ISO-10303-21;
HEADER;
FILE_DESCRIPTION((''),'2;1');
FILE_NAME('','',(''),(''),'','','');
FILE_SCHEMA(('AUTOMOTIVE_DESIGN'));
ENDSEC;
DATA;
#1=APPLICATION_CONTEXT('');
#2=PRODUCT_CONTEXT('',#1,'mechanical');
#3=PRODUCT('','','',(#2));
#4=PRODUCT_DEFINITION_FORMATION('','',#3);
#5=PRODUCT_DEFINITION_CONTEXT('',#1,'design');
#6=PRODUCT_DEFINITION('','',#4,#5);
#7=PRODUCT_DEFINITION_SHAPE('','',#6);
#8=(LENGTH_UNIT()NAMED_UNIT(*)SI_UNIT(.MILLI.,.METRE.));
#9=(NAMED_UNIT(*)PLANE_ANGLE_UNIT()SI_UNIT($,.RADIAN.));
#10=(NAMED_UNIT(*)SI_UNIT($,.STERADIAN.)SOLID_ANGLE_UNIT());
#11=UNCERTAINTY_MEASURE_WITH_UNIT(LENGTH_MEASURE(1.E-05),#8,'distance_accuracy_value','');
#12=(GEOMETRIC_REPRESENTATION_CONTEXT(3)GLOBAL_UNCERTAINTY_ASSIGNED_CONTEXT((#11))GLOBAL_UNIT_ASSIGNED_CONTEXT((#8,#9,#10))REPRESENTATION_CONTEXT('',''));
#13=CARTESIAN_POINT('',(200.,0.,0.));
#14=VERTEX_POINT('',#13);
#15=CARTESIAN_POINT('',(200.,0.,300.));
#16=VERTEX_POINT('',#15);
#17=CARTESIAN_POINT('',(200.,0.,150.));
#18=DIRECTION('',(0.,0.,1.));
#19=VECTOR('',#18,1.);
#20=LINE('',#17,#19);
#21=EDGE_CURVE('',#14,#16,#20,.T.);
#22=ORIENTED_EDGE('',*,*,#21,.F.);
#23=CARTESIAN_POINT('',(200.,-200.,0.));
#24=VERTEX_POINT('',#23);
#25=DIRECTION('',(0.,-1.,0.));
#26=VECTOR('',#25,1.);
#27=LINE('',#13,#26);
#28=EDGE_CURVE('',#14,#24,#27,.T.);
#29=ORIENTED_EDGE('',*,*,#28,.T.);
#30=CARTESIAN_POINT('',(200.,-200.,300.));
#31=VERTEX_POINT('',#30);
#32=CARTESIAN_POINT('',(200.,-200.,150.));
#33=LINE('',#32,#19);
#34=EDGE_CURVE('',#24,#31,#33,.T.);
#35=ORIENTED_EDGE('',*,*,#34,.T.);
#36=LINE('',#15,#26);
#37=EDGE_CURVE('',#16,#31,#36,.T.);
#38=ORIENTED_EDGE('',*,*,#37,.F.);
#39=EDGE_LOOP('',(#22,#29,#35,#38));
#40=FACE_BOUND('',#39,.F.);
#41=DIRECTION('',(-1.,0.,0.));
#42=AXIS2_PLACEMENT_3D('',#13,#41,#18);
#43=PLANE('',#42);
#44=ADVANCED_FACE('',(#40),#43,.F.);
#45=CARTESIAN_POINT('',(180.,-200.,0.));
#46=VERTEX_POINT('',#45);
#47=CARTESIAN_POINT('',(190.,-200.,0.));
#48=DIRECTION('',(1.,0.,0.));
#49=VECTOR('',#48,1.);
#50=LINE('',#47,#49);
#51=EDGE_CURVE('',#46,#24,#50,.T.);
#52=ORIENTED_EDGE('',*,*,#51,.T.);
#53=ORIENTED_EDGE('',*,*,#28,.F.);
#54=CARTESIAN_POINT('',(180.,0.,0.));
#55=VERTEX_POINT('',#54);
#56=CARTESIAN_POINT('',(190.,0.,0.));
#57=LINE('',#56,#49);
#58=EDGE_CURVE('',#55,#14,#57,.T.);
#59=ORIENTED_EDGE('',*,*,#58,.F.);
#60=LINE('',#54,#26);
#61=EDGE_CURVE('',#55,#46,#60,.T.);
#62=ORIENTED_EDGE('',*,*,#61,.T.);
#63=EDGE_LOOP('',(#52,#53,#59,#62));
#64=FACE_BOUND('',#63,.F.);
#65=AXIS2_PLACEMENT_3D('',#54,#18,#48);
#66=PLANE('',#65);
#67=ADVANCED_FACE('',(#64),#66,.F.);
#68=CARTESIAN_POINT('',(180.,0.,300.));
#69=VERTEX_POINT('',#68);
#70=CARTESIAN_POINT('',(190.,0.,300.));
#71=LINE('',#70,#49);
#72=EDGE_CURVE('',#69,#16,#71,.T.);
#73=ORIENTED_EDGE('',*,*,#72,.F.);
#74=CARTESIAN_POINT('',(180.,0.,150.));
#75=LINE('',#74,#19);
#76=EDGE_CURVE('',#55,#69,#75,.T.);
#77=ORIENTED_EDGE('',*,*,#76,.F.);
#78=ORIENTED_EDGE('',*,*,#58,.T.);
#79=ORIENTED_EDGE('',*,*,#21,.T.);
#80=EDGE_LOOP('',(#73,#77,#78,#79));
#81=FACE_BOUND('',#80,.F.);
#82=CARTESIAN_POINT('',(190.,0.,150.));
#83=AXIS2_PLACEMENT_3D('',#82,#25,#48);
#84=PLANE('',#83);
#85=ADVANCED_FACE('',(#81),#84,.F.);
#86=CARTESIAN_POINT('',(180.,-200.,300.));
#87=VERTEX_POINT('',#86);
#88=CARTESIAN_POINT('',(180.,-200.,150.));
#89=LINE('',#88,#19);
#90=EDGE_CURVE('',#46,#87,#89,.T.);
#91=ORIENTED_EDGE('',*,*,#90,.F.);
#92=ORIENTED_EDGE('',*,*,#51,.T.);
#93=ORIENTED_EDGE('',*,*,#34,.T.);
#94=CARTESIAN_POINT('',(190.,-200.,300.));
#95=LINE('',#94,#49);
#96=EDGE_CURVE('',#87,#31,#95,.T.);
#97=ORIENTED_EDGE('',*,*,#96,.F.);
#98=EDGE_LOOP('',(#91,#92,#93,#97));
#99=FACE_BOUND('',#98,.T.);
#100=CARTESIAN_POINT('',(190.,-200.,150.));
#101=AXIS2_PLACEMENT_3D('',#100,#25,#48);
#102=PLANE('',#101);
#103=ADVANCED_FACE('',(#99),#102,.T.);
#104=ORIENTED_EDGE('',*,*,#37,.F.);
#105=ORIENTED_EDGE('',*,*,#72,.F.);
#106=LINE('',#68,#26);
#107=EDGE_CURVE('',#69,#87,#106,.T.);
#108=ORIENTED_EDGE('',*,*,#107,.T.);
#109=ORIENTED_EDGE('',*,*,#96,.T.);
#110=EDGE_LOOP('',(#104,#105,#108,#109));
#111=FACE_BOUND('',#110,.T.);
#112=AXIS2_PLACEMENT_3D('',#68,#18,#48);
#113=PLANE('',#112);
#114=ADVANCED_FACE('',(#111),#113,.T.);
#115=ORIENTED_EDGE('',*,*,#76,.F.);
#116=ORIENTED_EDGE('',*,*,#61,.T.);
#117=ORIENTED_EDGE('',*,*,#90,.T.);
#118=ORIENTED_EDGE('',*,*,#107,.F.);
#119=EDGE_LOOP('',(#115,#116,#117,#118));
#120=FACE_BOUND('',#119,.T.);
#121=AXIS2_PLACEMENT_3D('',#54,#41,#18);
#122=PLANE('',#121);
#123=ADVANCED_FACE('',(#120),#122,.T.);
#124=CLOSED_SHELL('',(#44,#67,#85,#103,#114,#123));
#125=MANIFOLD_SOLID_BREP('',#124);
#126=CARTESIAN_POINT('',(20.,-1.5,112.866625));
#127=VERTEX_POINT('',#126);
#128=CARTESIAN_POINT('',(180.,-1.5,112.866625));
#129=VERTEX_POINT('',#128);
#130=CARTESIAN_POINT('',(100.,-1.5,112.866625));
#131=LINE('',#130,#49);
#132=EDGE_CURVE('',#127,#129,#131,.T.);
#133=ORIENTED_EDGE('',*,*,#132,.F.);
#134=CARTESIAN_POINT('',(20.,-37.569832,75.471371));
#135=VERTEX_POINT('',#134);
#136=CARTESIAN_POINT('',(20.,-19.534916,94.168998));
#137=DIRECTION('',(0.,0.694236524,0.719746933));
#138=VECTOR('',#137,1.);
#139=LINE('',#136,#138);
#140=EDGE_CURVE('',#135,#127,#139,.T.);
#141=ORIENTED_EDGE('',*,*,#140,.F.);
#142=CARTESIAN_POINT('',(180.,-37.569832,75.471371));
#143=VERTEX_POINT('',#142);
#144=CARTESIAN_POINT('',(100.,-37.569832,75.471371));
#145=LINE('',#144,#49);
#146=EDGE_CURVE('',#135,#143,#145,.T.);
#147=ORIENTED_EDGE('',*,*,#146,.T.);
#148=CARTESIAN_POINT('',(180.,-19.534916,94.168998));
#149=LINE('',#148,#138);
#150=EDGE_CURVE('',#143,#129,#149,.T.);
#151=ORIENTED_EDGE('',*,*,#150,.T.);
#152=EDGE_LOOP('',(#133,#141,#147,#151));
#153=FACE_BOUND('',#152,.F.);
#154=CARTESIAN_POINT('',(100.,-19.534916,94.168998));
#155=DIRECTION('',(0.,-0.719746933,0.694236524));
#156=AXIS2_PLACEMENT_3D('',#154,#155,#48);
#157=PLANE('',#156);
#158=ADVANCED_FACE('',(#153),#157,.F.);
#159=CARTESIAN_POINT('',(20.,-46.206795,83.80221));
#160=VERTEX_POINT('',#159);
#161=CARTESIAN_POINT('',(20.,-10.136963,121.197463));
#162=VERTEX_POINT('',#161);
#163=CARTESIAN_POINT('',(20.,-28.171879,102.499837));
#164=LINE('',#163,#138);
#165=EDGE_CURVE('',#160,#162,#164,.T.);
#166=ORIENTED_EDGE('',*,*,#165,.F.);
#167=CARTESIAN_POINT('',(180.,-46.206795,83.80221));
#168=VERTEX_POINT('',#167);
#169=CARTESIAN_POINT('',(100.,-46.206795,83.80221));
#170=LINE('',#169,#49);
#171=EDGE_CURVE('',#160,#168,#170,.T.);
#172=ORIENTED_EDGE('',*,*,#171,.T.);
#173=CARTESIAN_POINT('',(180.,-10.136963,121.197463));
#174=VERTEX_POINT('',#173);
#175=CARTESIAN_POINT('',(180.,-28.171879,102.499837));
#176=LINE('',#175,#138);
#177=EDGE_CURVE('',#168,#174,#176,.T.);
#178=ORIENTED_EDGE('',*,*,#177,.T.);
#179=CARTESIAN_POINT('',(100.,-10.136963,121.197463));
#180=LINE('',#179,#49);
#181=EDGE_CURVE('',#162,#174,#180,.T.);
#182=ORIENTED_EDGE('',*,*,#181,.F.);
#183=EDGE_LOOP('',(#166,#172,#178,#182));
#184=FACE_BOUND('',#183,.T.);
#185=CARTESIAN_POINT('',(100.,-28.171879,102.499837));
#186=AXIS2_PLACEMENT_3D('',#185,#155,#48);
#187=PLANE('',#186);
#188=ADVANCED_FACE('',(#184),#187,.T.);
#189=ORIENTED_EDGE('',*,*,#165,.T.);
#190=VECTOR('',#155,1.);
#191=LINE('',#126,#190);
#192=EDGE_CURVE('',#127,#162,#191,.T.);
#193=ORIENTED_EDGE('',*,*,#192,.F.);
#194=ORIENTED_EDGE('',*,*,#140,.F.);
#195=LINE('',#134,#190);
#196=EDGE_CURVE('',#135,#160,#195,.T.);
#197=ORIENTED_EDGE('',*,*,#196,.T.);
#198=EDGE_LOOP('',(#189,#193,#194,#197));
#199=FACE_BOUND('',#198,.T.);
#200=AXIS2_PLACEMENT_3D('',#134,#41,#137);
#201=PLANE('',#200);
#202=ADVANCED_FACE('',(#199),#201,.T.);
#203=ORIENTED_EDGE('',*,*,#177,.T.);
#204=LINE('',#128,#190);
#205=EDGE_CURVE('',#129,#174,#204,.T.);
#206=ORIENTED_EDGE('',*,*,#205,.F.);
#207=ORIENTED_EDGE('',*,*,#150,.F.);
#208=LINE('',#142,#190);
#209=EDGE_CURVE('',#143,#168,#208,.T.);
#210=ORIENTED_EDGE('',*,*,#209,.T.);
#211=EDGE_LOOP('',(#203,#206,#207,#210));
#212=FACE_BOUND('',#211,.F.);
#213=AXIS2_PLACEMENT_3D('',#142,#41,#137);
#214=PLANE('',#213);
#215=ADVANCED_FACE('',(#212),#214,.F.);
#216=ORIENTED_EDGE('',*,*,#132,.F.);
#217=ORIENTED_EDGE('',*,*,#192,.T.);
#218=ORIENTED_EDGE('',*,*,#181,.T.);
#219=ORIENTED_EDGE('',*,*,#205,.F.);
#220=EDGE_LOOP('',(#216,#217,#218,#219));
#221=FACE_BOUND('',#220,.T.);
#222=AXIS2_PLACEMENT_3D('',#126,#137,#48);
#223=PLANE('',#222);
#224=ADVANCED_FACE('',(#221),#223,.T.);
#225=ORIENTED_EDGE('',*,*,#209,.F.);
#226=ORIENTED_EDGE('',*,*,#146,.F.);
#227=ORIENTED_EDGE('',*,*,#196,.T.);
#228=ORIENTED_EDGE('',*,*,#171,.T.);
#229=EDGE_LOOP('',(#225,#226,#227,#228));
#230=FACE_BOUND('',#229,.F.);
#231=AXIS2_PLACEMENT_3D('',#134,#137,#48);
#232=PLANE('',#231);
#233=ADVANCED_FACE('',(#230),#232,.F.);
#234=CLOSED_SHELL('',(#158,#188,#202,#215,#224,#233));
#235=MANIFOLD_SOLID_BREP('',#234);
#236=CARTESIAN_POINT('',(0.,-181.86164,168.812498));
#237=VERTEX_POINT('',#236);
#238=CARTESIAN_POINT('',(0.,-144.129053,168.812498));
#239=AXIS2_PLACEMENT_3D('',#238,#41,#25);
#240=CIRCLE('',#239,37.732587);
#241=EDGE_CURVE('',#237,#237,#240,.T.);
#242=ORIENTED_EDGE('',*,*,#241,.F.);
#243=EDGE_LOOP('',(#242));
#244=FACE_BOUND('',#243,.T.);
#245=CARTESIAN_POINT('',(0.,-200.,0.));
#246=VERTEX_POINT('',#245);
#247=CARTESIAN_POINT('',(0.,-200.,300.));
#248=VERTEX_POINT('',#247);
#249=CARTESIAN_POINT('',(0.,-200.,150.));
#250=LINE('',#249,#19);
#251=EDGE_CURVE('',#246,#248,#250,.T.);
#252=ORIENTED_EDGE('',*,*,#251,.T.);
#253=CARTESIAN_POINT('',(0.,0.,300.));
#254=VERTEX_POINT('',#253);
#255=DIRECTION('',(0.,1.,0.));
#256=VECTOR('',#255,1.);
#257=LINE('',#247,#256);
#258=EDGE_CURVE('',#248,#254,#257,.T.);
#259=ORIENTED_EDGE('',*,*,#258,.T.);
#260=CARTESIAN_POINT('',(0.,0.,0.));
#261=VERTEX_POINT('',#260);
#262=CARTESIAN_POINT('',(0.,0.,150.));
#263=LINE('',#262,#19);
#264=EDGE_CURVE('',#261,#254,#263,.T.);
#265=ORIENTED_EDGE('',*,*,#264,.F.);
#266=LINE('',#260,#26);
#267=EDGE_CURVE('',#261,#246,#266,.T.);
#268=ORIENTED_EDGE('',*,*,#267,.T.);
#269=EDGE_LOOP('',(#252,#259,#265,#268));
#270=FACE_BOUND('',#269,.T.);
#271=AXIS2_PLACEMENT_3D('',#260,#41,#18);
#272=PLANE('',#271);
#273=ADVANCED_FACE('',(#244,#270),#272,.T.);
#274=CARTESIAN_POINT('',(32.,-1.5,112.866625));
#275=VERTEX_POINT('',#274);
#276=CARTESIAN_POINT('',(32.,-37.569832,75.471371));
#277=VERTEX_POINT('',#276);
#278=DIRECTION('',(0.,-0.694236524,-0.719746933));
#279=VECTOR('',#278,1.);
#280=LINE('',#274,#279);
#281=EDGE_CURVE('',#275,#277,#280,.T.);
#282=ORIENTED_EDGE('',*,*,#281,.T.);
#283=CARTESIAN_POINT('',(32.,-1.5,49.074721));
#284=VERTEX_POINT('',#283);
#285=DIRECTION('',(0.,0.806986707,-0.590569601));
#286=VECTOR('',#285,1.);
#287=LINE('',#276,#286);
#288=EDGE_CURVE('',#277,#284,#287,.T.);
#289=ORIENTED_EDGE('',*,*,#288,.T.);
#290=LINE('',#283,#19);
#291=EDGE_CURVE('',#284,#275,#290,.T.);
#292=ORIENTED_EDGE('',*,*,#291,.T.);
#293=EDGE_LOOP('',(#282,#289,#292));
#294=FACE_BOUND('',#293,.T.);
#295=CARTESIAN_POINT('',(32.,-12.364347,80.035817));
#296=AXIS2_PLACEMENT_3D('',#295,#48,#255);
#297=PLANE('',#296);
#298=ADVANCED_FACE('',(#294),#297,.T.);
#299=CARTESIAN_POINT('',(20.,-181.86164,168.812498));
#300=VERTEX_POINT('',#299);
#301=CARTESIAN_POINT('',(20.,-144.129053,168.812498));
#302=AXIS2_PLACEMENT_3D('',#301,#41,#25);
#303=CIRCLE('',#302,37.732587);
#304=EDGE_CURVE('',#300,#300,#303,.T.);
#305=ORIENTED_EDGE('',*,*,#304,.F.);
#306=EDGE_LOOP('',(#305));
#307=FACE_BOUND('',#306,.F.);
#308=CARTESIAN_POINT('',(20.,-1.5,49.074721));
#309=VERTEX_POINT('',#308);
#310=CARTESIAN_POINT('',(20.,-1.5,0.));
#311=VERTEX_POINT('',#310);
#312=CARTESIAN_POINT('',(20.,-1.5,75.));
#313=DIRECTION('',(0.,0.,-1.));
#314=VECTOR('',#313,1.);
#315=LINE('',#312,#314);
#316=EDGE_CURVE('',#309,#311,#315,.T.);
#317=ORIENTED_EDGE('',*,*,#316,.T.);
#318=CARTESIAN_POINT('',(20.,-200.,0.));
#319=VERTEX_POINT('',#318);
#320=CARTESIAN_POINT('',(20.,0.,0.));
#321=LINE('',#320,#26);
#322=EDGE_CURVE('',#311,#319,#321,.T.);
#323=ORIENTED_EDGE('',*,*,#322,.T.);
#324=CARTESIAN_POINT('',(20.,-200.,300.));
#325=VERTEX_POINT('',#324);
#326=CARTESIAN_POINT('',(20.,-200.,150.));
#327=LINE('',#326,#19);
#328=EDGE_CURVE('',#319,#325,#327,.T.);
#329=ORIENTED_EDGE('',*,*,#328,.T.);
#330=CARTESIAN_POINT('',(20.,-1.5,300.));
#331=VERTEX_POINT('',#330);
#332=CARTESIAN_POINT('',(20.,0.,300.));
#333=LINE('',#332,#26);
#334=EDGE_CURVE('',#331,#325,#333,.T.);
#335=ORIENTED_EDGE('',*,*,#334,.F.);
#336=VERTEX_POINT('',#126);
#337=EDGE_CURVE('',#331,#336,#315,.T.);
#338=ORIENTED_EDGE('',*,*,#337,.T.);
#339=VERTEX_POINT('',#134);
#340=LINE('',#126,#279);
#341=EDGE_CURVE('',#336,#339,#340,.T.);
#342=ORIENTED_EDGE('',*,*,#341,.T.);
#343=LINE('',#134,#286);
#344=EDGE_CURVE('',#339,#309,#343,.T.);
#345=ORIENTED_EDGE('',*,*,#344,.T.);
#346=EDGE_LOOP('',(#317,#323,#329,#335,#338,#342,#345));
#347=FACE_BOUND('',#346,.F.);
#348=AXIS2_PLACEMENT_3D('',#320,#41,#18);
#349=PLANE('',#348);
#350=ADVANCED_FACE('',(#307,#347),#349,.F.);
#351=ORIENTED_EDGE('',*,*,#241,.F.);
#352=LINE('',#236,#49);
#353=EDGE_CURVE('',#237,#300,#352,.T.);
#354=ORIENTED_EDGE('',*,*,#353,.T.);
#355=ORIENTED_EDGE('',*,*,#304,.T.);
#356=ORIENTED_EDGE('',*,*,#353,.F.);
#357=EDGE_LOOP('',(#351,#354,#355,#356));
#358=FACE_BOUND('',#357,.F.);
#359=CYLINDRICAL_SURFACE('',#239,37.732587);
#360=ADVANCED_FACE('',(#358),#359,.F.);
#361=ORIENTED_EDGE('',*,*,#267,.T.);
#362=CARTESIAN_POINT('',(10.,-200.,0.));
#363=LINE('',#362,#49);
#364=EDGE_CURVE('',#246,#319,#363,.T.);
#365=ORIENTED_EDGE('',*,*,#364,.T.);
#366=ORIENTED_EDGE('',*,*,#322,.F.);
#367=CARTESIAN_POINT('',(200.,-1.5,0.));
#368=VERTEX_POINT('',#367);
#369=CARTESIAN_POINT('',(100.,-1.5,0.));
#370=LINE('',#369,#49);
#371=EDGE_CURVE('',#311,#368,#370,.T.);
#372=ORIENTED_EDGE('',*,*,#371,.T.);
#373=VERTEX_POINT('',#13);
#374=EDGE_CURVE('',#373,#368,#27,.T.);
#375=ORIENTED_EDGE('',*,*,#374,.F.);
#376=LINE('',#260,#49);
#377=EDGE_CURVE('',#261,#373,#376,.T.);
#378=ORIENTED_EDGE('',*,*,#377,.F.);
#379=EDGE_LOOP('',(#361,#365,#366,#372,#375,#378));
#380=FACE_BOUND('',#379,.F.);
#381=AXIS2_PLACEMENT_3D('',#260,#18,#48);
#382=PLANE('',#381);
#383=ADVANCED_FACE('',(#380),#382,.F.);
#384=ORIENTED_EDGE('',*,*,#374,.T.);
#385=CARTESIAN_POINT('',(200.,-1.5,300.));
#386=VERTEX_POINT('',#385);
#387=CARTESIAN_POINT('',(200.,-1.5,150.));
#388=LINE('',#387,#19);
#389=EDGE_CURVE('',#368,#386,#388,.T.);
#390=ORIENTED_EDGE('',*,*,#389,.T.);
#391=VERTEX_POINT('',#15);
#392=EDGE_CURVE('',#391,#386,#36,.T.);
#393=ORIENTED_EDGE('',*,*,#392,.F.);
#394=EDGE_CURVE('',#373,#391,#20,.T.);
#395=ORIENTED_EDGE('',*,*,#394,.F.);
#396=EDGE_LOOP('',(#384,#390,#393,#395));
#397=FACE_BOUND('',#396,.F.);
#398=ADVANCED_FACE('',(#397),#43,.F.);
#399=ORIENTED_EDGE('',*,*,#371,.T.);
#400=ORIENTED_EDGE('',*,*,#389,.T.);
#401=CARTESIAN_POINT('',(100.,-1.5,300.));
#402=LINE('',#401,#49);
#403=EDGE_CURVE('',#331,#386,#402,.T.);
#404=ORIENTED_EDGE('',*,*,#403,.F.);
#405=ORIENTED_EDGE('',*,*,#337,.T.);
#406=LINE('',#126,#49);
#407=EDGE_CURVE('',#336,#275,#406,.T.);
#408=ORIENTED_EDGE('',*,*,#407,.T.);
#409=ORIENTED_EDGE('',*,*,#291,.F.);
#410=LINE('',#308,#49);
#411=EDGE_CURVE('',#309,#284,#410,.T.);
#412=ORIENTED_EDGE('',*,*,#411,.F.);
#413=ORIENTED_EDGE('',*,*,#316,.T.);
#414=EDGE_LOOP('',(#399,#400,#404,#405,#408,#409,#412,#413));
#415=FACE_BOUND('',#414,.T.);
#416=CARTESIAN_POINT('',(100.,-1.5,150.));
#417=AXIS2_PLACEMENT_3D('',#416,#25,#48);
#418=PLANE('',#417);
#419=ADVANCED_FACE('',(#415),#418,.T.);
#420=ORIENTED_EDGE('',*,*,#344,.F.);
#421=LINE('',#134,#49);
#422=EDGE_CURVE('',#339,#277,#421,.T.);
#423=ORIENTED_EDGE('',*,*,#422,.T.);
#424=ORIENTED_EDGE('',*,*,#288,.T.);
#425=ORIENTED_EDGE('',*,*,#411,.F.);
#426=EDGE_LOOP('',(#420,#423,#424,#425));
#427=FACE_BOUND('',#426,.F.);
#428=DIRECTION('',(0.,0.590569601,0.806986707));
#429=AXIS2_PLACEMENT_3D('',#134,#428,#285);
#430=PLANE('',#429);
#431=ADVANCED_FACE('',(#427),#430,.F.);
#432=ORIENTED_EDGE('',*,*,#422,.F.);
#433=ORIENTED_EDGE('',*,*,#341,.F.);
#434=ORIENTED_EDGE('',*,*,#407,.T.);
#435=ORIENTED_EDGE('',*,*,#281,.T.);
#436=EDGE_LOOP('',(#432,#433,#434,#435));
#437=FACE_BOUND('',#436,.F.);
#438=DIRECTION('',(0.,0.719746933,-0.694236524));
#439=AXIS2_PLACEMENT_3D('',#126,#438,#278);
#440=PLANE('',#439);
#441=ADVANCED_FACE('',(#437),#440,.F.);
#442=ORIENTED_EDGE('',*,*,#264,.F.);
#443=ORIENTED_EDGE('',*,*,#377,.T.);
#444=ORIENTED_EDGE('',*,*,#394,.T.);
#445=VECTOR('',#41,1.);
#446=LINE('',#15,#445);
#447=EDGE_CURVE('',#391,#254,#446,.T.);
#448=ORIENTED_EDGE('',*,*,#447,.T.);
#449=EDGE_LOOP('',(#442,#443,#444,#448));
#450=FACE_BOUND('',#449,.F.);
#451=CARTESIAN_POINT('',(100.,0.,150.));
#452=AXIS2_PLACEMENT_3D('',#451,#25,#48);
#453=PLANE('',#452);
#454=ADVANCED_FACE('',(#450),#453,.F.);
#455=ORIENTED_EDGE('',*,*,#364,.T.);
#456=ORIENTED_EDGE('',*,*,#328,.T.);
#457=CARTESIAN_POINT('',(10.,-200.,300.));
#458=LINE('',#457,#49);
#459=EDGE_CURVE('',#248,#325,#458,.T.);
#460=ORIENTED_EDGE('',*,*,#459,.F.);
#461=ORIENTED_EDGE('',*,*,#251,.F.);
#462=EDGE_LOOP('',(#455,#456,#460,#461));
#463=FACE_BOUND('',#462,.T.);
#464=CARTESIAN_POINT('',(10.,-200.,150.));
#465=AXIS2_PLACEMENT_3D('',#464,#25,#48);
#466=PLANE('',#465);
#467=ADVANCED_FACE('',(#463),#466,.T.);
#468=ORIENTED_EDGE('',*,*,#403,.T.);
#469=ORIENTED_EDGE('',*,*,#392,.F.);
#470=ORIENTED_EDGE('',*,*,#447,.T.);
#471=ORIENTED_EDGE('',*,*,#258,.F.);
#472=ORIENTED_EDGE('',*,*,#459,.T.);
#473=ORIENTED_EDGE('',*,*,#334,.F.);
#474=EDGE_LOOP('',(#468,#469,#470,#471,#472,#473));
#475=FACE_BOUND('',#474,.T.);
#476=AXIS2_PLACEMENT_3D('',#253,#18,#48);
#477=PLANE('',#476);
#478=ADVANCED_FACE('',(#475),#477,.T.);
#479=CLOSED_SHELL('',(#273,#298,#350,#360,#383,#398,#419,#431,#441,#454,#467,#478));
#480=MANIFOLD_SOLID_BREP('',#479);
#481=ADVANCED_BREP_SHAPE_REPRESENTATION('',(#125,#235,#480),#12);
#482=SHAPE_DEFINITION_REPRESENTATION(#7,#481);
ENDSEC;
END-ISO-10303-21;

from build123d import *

# Parameters (mm, degrees)
F0_W      = 200
F0_H      = 300
F1_DEPTH  = 1.5
F2_W      = 20
F2_H      = 300
F3_DEPTH  = 200
F5_DEPTH  = 12
F6_W      = 160
F6_H      = 51.9561140742
F7_DEPTH  = 12
F8_W      = 20
F8_H      = 300
F9_DEPTH  = 200
F10_R     = 43.6696111293
F11_DEPTH = 30
F12_R     = 37.7325868248
F13_DEPTH = 25


with BuildPart() as f1:
    # F0 (on Front) → F1 (new body)
    with BuildSketch(Plane.XZ):
        with Locations((100, 150)):
            Rectangle(F0_W, F0_H)
    extrude(amount=F1_DEPTH)

    # F2 (on Front) → F3 (join)
    with BuildSketch(Plane.XZ):
        with Locations((10, 150)):
            Rectangle(F2_W, F2_H)
    extrude(amount=F3_DEPTH)

    # F4 (on face) → F5 (join)
    with BuildSketch(Plane.YZ.offset(20)):
        Polygon((-1.5, 112.8666251898), (-37.5698320568, 75.4713714123), (-1.5, 49.0747205913), align=None)
    extrude(amount=F5_DEPTH)

    # F10 (on face) → F11 (cut)
    with BuildSketch(Plane.YZ.offset(200)):
        with Locations((-115.351036191, 228.2001972198)):
            Circle(F10_R)
    extrude(amount=F11_DEPTH, mode=Mode.SUBTRACT)

    # F12 (on face) → F13 (cut)
    with BuildSketch(Plane(origin=(0, 0, 0), x_dir=(0, -1, 0), z_dir=(-1, 0, 0))):
        with Locations((144.1290527582, 168.8124984503)):
            Circle(F12_R)
    extrude(amount=-F13_DEPTH, mode=Mode.SUBTRACT)


with BuildPart() as f7:
    # F6 (on face) → F7 (new body)
    with BuildSketch(Plane(origin=(0, -57.1736403414, 55.1472017667), x_dir=(1, 0, 0), z_dir=(0, -0.7197469334, 0.6942365244))):
        with Locations((100, 54.2159955426)):
            Rectangle(F6_W, F6_H)
    extrude(amount=F7_DEPTH)


with BuildPart() as f9:
    # F8 (on Front) → F9 (new body)
    with BuildSketch(Plane.XZ):
        with Locations((190, 150)):
            Rectangle(F8_W, F8_H)
    extrude(amount=F9_DEPTH)


solid = Compound([f1.part, f7.part, f9.part])
